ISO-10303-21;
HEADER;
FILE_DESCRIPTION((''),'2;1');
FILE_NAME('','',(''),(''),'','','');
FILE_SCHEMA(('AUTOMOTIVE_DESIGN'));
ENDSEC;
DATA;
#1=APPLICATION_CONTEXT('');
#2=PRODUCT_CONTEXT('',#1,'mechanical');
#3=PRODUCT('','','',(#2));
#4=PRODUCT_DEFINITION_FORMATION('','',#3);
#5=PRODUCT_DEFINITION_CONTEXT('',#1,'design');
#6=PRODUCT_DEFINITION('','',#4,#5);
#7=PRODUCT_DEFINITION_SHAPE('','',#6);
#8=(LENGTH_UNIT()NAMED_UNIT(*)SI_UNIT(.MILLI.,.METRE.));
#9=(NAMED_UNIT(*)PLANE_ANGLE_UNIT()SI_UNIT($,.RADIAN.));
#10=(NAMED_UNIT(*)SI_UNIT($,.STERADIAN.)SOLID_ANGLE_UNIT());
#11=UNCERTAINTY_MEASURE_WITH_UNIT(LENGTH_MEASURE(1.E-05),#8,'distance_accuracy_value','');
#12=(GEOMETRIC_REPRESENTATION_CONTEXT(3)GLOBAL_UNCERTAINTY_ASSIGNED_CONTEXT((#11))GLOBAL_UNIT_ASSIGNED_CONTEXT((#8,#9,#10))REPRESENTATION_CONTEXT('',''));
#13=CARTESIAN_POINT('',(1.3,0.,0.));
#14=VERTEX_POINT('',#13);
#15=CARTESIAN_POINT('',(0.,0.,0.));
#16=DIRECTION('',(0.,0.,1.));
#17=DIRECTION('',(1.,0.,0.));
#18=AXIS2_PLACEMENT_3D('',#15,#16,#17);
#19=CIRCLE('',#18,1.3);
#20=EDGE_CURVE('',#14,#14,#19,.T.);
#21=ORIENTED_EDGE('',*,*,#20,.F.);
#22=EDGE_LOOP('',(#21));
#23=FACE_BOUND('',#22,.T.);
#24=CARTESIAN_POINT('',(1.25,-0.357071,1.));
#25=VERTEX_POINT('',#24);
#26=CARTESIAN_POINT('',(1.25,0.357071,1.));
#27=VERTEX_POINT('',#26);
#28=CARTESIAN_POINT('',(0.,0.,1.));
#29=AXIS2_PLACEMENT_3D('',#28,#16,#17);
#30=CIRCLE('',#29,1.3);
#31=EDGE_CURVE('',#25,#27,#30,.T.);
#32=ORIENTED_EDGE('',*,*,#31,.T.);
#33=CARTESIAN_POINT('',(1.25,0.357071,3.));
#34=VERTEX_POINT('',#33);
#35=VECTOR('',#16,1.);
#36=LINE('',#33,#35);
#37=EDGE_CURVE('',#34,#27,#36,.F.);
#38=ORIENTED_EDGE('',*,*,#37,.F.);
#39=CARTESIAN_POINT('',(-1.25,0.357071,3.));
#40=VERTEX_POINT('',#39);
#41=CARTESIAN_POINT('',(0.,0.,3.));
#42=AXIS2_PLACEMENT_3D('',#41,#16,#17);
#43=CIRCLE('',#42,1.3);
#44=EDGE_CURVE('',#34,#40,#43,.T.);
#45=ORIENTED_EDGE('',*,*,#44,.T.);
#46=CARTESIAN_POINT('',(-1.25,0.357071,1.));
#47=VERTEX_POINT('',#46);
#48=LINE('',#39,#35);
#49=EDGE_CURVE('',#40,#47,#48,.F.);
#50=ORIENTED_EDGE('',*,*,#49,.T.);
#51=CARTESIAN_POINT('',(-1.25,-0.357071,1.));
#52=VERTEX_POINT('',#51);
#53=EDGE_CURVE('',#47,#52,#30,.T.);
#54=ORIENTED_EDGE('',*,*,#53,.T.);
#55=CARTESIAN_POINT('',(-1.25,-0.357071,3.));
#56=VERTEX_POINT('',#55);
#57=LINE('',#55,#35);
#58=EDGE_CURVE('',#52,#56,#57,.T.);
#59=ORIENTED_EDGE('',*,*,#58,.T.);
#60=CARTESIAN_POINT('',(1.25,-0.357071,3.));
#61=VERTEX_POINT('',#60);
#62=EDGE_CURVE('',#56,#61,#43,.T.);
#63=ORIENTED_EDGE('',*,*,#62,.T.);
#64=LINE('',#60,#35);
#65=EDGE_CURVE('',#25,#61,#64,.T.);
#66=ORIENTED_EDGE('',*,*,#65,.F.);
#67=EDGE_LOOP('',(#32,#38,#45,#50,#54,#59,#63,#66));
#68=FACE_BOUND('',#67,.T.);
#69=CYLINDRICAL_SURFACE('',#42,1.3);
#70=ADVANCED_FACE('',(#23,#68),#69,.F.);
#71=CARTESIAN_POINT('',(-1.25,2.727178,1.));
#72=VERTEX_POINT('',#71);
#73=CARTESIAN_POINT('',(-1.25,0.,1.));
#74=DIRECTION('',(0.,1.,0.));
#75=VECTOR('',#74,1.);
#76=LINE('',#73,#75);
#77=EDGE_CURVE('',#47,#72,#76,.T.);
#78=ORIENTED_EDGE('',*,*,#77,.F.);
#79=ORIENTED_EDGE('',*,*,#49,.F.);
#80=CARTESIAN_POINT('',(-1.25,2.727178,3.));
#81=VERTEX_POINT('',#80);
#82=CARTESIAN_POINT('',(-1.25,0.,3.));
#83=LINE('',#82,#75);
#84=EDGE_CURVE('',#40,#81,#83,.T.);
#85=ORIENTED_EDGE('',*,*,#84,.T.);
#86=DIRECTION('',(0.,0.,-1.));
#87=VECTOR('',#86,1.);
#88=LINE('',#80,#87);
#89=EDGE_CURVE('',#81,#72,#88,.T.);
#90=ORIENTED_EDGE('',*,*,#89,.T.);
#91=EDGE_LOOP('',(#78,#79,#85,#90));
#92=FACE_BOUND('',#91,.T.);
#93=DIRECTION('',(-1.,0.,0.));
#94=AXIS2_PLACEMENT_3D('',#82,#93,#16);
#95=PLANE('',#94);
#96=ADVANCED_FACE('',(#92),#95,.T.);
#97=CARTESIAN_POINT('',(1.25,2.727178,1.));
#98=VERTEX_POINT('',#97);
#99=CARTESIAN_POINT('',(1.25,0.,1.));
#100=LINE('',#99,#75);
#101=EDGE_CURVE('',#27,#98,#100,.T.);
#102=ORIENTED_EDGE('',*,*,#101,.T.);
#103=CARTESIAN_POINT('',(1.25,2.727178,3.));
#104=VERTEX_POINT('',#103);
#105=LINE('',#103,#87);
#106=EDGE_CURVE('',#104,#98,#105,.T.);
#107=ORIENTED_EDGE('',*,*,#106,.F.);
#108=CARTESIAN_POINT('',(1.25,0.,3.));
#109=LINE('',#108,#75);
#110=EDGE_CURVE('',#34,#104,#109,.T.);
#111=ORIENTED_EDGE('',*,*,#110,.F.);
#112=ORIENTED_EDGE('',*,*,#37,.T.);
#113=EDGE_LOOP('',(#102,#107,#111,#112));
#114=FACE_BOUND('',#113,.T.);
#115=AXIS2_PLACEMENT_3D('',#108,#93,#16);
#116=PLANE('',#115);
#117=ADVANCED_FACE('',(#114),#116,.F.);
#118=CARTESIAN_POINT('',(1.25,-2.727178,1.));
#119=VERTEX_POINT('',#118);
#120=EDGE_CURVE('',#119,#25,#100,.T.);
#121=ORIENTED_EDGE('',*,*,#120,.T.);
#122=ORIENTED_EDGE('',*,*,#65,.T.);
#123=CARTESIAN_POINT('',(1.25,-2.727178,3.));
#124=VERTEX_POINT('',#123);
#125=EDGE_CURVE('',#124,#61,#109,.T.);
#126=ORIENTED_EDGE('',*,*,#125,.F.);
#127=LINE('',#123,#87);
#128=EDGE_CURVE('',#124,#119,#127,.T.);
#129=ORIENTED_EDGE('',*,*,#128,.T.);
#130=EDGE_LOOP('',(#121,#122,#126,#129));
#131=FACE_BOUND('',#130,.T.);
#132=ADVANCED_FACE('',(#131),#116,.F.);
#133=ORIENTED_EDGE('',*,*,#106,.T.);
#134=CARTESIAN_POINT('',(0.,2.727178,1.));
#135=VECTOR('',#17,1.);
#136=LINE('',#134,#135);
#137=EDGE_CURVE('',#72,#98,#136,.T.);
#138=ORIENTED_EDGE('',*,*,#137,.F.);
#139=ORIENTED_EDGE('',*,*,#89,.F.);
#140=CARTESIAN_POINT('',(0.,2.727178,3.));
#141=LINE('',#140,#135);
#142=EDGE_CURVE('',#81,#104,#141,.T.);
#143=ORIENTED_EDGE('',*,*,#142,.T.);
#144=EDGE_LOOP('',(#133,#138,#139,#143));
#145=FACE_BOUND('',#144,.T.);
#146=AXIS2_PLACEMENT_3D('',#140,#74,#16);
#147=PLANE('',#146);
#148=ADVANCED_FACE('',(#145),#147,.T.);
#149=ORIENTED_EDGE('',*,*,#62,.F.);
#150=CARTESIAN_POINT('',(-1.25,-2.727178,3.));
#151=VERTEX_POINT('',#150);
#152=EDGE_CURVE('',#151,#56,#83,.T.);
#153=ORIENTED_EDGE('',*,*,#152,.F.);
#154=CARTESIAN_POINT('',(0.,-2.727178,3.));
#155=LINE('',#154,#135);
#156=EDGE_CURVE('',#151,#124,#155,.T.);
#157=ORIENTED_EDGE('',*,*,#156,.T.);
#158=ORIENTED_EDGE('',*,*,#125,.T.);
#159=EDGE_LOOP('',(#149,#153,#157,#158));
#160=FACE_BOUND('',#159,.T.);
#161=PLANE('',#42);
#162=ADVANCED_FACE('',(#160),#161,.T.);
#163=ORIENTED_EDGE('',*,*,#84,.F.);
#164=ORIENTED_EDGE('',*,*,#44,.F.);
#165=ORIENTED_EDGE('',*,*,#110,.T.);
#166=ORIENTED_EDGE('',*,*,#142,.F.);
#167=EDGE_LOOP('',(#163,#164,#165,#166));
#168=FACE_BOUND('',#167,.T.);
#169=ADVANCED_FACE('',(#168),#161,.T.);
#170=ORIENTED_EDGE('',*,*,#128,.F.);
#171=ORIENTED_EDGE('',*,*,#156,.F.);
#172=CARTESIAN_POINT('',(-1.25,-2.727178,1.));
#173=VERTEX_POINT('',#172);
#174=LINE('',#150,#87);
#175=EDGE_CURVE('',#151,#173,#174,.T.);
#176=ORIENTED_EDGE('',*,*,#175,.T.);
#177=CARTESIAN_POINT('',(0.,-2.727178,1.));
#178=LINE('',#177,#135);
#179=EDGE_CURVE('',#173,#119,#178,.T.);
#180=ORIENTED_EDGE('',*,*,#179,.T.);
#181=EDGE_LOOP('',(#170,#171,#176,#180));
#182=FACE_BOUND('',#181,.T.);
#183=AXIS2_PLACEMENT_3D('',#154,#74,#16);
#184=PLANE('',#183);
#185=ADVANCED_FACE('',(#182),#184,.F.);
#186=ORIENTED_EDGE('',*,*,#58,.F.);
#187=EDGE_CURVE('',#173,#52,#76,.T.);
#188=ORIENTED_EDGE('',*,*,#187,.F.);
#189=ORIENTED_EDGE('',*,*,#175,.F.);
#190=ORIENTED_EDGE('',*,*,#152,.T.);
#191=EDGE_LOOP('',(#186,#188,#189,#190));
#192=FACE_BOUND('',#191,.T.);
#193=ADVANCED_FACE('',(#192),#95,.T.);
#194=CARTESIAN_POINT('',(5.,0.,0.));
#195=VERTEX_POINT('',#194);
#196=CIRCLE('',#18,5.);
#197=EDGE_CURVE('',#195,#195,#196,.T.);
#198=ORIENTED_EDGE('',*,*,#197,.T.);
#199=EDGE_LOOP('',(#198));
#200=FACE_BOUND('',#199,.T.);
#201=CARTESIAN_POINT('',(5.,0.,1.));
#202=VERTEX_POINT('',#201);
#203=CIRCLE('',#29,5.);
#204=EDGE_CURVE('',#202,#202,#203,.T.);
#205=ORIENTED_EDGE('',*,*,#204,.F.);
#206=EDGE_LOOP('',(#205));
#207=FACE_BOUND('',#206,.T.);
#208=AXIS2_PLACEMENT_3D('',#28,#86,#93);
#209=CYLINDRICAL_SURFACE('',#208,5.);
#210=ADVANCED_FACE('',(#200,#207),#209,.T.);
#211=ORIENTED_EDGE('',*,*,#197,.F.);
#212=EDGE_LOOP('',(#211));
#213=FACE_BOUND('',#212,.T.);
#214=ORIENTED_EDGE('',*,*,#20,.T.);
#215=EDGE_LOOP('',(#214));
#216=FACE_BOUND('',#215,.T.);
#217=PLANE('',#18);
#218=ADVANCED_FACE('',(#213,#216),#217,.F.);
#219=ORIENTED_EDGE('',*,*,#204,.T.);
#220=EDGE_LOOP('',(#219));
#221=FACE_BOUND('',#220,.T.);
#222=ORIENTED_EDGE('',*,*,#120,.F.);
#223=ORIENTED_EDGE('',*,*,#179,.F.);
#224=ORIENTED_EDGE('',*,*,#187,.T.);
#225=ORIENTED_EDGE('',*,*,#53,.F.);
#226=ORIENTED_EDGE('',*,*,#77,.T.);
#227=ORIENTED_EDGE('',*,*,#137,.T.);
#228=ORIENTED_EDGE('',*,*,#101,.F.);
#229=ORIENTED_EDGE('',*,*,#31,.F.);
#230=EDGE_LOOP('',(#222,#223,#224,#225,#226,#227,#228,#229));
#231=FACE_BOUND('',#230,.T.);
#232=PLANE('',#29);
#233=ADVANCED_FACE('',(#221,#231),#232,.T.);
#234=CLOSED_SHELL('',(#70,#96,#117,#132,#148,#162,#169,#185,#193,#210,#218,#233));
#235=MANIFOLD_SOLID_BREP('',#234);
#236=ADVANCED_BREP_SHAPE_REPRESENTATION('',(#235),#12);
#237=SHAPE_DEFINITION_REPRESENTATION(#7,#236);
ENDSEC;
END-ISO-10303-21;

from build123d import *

# Parameters (mm, degrees)
SKETCH1_R                      = 5
BOSS_EXTRUDE1_DEPTH            = 1
SKETCH2_W                      = 2.5
SKETCH2_H                      = 5.454356058
BOSS_EXTRUDE2_DEPTH            = 2
F_2_6_2_6_DIAMETER_HOLE1_D     = 2.6
F_2_6_2_6_DIAMETER_HOLE1_DEPTH = 9
F_2_6_2_6_DIAMETER_HOLE1_TIP   = 0.781118805


with BuildPart() as part:
    # Sketch1 → Boss-Extrude1 (new body)
    with BuildSketch(Plane.XY):
        Circle(SKETCH1_R)
    extrude(amount=BOSS_EXTRUDE1_DEPTH)

    # Sketch2 → Boss-Extrude2 (add)
    with BuildSketch(Plane.XY.offset(1)):
        Rectangle(SKETCH2_W, SKETCH2_H)
    extrude(amount=BOSS_EXTRUDE2_DEPTH)

    # Ø2.6 (2.6) Diameter Hole1
    with Locations(Plane.XY.offset(3)):
        with Locations((0, 0)):
            Hole(F_2_6_2_6_DIAMETER_HOLE1_D / 2, depth=F_2_6_2_6_DIAMETER_HOLE1_DEPTH)
            with Locations((0, 0, -(F_2_6_2_6_DIAMETER_HOLE1_DEPTH + F_2_6_2_6_DIAMETER_HOLE1_TIP / 2))):  # 118° drill point
                Cone(0, F_2_6_2_6_DIAMETER_HOLE1_D / 2, F_2_6_2_6_DIAMETER_HOLE1_TIP, mode=Mode.SUBTRACT)


solid = part.part
